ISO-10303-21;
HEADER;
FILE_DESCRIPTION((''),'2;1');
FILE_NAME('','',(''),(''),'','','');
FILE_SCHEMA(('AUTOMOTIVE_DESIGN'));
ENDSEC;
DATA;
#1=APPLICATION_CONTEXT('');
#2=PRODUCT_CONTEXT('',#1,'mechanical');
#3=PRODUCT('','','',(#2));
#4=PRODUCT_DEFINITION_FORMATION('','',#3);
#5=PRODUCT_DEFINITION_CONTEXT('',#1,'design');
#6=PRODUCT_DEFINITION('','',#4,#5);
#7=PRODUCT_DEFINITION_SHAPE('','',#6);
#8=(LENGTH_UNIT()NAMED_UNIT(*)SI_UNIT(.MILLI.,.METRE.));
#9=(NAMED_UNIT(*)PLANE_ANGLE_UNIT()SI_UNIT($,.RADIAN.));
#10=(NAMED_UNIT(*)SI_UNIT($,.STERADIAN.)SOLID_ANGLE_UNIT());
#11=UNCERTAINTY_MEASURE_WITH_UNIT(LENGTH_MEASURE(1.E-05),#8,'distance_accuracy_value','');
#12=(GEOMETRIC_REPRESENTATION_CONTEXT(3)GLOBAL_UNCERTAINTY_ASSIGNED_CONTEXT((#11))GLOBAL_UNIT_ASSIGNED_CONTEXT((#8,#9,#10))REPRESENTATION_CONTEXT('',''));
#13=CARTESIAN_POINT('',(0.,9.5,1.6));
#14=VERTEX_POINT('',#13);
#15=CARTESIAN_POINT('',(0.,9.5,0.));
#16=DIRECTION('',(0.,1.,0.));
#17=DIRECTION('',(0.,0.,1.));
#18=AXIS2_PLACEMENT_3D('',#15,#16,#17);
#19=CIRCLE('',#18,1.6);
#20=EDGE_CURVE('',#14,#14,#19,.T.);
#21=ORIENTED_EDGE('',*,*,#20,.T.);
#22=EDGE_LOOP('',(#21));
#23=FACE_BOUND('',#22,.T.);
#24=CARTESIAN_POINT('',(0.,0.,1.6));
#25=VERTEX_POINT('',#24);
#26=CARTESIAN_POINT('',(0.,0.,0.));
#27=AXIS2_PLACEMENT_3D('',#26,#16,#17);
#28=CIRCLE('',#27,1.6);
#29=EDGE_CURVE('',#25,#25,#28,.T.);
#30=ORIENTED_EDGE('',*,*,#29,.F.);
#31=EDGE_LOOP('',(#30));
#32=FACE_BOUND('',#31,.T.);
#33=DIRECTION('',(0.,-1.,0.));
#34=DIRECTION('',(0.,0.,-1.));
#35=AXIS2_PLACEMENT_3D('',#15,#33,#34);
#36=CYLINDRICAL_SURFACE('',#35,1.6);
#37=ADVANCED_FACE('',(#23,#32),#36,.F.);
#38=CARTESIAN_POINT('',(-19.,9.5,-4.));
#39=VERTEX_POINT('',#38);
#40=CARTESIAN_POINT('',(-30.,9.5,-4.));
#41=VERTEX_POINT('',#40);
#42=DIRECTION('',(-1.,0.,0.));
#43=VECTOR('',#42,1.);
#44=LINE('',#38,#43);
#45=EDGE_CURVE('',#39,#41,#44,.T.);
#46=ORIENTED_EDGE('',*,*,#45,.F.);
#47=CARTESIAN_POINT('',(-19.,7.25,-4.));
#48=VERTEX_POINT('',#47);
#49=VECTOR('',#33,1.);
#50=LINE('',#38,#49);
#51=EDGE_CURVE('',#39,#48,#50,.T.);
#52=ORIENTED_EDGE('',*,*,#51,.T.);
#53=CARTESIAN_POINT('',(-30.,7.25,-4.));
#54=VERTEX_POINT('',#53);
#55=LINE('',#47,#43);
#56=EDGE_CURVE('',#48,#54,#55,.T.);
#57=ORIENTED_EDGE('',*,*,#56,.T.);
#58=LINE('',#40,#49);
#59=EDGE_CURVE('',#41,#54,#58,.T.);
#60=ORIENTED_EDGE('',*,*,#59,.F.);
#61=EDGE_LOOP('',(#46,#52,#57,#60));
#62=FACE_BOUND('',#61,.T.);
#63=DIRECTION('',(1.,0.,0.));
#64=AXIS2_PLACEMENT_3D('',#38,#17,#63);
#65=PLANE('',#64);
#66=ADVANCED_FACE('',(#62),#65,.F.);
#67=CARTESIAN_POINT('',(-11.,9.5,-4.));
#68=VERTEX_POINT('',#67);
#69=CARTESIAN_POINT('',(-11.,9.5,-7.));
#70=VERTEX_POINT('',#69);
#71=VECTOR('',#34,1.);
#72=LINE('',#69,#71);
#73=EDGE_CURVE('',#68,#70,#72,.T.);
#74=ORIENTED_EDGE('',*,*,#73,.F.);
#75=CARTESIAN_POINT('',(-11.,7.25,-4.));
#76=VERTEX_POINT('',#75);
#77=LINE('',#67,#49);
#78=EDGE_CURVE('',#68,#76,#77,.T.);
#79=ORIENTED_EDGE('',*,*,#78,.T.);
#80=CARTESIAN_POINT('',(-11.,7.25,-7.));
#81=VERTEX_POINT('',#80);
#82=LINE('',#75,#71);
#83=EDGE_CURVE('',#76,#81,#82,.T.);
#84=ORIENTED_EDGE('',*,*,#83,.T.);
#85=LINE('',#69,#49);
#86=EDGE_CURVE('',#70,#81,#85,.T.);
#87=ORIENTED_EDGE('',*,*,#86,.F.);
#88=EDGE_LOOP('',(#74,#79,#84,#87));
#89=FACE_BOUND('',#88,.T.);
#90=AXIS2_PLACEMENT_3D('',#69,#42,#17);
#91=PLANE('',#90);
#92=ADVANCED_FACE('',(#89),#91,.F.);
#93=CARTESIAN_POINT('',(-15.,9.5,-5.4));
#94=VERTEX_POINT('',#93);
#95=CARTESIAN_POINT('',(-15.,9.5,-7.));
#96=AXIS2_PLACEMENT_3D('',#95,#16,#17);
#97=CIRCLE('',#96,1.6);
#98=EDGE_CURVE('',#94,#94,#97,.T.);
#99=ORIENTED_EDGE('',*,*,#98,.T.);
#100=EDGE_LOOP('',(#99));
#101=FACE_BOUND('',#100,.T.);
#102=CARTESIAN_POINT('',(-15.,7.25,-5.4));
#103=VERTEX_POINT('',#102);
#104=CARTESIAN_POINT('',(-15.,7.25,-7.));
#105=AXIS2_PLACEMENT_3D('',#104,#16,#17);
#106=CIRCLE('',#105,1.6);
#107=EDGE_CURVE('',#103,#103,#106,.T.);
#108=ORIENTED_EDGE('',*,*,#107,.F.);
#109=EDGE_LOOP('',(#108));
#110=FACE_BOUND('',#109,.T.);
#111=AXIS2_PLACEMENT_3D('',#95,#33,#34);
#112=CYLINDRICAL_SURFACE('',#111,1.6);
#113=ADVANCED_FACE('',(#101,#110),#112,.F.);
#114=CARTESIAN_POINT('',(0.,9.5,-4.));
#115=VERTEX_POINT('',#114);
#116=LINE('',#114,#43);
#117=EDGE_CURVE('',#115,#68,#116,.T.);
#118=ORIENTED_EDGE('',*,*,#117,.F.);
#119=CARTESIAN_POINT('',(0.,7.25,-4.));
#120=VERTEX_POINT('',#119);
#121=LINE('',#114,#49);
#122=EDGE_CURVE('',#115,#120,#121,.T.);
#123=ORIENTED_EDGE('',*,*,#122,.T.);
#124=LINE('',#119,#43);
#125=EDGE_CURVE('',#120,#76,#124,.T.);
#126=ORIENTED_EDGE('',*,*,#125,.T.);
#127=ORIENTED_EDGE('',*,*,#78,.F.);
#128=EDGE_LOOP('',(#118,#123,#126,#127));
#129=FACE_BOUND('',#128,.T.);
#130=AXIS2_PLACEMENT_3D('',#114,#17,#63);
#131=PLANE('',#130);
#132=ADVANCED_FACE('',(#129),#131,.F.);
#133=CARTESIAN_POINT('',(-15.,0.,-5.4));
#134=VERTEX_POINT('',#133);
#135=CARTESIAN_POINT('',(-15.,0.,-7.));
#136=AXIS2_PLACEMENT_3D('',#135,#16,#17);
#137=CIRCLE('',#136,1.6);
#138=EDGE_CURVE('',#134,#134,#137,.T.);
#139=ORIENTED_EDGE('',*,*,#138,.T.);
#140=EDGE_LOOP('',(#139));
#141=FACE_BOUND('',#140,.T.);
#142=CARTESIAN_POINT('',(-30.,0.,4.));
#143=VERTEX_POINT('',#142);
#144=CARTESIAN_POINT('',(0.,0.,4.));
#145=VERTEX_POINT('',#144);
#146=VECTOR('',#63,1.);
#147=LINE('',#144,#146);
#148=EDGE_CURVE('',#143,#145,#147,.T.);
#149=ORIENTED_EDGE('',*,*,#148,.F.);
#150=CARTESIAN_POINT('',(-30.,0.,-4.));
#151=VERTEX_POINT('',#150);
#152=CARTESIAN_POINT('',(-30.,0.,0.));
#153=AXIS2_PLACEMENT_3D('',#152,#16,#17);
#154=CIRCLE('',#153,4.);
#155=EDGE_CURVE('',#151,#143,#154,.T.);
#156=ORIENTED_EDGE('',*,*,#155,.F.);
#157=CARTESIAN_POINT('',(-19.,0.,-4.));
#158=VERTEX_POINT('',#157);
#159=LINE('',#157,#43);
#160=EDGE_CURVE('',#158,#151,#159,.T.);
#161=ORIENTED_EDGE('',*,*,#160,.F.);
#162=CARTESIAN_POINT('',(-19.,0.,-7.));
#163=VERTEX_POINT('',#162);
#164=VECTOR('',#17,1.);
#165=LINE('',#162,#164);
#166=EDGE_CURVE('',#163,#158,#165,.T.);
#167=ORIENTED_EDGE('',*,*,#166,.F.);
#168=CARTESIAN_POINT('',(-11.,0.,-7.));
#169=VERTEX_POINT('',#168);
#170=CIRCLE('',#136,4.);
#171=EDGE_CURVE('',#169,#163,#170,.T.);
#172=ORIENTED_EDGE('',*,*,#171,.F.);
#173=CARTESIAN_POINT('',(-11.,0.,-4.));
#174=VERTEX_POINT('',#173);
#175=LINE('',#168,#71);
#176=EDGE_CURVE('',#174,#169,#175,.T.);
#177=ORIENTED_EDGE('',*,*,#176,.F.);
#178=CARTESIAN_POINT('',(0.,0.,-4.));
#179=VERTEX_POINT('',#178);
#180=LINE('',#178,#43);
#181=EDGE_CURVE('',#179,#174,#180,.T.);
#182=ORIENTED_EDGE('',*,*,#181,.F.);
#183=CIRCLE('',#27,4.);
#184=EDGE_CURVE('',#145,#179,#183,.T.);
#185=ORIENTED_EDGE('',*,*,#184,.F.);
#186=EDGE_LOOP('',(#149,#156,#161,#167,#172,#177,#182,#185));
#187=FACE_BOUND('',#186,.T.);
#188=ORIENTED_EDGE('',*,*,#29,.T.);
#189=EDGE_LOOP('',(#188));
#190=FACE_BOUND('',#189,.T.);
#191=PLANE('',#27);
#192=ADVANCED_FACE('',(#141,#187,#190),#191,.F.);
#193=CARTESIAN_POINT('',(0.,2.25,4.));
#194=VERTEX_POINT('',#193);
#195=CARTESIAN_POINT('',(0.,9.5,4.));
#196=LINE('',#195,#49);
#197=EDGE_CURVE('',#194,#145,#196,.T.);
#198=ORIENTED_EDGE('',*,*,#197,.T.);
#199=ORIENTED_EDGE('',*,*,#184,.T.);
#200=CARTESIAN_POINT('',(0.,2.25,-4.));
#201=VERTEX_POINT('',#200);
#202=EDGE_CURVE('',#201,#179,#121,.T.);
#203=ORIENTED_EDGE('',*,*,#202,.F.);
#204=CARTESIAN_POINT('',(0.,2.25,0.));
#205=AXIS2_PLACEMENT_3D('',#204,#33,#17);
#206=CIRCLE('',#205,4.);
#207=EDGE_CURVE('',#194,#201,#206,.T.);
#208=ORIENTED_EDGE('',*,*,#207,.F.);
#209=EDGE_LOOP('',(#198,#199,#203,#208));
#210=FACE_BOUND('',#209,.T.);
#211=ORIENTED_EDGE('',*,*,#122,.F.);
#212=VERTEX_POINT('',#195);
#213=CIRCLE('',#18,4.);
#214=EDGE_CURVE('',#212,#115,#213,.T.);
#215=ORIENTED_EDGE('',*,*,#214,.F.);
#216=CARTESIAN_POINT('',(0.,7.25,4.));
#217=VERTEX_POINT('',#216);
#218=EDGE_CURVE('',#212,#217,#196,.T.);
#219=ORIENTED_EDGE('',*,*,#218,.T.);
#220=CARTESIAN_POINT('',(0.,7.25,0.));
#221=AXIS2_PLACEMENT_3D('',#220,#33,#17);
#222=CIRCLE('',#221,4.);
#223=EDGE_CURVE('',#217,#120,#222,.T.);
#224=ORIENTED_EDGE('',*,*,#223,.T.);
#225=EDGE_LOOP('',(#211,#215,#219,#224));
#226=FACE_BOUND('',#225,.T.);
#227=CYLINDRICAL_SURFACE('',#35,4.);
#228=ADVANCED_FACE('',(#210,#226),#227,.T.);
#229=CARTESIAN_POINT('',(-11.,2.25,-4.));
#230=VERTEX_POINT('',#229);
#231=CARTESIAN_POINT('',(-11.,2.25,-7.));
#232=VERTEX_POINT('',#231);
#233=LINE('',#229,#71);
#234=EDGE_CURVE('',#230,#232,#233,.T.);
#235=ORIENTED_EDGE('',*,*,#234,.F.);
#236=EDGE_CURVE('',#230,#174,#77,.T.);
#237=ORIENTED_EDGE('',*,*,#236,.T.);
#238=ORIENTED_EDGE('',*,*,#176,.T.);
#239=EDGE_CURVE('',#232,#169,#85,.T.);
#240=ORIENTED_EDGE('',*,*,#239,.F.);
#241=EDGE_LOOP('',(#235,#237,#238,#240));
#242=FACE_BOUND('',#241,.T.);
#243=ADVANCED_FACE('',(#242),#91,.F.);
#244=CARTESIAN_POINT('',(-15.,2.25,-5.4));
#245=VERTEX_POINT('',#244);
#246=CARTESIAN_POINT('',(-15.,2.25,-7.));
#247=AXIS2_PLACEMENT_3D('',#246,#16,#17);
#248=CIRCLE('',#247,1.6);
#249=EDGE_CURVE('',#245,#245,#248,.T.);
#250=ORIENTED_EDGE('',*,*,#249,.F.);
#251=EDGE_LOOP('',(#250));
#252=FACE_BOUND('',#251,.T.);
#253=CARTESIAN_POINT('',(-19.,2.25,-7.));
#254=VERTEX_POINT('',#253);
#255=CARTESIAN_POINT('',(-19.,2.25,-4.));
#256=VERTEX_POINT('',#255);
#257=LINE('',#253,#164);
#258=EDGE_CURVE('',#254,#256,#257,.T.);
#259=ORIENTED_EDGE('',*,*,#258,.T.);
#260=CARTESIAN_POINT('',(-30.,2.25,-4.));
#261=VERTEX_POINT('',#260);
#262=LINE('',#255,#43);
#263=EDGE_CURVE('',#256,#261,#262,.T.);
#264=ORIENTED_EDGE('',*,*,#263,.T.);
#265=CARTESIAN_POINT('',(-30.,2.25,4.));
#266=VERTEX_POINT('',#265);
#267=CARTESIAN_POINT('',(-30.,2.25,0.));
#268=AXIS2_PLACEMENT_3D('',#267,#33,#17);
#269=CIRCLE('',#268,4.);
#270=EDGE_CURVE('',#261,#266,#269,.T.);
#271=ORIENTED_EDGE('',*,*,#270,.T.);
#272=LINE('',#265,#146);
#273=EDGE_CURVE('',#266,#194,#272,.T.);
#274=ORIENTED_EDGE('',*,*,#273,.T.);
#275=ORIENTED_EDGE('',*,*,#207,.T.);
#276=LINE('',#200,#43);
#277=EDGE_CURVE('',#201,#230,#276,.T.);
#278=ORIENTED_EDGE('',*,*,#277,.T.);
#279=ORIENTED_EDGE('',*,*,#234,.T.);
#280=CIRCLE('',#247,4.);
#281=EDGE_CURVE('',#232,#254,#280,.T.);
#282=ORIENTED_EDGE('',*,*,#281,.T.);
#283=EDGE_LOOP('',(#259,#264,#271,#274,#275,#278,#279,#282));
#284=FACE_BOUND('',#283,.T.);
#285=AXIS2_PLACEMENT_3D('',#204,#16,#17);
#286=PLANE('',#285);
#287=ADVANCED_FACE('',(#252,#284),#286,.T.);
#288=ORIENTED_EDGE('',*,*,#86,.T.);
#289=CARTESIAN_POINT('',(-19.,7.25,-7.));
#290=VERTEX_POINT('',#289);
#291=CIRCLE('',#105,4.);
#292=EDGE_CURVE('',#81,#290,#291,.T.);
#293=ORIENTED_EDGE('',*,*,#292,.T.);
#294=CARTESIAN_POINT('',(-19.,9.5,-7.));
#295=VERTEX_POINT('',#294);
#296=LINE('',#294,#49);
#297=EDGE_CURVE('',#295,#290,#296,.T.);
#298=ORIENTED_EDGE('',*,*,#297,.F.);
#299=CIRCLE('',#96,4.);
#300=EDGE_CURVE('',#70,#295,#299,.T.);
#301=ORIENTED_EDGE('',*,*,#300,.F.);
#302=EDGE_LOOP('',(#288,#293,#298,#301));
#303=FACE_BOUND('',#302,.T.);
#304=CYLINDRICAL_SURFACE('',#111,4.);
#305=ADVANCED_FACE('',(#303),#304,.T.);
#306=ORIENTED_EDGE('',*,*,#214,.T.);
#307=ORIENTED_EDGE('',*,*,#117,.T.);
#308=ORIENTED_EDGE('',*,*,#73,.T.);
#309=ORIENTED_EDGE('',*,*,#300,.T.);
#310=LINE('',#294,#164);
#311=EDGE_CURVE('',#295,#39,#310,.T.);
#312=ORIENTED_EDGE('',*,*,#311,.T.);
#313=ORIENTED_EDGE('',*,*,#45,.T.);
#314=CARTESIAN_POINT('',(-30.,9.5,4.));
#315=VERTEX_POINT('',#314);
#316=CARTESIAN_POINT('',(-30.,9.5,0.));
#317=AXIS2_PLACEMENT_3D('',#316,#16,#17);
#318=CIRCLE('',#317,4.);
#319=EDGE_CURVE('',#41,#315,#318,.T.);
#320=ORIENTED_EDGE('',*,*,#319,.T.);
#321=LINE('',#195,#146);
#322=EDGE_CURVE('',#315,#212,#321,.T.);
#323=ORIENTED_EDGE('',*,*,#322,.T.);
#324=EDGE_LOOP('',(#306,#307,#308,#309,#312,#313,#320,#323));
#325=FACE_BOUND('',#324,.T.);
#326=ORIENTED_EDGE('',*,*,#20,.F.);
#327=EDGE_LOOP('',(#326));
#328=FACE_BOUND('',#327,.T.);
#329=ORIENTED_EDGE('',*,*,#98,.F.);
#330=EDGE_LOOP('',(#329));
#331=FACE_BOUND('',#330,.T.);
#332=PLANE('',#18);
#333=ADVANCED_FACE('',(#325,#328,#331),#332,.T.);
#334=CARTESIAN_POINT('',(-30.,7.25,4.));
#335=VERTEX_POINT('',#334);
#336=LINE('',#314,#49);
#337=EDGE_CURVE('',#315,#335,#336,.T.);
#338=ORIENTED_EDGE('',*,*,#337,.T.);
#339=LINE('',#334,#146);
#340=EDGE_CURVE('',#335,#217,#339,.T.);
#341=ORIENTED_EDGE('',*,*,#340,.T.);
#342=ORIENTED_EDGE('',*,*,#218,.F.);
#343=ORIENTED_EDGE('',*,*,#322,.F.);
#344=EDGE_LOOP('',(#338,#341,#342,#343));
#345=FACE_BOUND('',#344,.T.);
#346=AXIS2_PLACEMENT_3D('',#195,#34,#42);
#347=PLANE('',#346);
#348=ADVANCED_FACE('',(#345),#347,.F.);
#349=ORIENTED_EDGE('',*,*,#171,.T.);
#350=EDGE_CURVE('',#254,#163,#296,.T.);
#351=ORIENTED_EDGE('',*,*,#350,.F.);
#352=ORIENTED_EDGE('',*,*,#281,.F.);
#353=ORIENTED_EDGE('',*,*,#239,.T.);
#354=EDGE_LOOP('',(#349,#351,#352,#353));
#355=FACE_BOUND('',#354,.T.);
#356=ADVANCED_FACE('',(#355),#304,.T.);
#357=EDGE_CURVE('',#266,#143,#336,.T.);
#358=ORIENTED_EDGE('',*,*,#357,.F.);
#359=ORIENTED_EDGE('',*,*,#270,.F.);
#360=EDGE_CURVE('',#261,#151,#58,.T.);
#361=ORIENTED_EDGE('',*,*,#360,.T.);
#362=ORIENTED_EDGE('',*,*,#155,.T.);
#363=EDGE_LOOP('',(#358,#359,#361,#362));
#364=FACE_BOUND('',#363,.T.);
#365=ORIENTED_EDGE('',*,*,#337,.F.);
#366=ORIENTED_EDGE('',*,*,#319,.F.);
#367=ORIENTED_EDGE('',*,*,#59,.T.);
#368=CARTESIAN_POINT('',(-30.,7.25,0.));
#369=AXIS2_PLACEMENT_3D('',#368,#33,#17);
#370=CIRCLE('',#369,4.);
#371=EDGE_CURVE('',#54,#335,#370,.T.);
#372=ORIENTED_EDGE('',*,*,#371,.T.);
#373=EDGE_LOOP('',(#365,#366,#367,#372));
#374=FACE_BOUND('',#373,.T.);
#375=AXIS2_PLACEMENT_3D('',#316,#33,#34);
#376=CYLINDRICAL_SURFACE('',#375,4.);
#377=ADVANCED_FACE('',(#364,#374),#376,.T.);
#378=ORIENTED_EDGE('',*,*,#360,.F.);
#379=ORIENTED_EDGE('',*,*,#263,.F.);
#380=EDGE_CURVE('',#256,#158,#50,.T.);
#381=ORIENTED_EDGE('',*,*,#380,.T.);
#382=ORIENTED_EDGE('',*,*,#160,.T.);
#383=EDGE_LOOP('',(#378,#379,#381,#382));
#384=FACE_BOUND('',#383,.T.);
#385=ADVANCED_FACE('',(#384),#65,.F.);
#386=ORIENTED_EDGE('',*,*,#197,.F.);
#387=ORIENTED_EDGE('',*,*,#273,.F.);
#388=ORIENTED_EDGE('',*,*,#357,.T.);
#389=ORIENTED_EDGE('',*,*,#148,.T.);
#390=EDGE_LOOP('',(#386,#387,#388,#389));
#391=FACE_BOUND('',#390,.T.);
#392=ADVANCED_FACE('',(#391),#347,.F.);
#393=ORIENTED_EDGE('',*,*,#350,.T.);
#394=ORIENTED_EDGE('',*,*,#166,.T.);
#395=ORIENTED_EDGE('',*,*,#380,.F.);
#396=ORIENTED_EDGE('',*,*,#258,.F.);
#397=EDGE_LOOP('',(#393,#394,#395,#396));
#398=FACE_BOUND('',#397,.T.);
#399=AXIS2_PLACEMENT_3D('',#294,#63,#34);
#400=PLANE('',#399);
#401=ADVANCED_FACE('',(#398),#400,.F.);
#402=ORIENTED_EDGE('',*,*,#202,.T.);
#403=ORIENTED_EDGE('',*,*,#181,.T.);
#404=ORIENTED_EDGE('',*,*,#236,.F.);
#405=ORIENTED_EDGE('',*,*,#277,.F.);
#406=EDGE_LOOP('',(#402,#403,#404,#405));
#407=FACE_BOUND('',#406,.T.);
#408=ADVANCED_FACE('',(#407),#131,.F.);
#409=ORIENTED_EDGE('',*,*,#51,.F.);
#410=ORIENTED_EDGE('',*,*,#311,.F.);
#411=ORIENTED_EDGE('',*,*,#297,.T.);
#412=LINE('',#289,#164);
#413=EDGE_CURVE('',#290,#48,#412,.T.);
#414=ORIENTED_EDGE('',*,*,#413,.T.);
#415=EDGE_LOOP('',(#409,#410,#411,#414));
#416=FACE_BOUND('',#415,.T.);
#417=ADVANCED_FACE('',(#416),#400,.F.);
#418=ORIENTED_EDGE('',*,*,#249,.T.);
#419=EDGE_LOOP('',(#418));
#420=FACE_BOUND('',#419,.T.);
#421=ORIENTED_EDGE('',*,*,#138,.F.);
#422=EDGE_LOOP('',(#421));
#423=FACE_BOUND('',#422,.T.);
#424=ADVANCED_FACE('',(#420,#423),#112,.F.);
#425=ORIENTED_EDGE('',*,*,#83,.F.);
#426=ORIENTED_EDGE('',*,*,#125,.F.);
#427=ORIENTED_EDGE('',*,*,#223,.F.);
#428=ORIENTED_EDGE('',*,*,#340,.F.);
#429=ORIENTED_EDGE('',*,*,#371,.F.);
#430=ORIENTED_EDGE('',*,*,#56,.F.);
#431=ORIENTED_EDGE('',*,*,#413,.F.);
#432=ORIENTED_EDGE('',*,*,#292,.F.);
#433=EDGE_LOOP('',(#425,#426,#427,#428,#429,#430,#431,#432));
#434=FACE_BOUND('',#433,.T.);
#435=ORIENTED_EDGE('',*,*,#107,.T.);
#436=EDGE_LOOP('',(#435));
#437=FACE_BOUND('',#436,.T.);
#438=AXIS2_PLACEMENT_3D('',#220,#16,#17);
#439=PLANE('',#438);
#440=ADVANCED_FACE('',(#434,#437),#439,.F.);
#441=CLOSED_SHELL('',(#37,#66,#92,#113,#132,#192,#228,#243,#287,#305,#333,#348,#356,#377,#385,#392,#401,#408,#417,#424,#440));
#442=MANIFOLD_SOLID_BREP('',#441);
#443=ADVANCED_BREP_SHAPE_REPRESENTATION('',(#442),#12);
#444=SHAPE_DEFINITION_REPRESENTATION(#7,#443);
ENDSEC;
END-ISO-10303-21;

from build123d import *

# Parameters (mm, degrees)
SKETCH1_R               = 1.6
BOSS_EXTRUDE1_DEPTH     = 9.5
CUT_EXTRUDE1_DEPTH      = 2.5
CUT_EXTRUDE1_DEPTH_BACK = 2.5


with BuildPart() as part:
    # Sketch1 → Boss-Extrude1 (new body)
    with BuildSketch(Plane(origin=(0, 0, 0), x_dir=(1, 0, 0), z_dir=(0, 1, 0))):
        with BuildLine():
            Line((0, -4), (-30, -4))
            ThreePointArc((-30, -4), (-34, 0), (-30, 4))
            Line((-30, 4), (-19, 4))
            Line((-19, 4), (-19, 7))
            ThreePointArc((-19, 7), (-15, 11), (-11, 7))
            Line((-11, 7), (-11, 4))
            Line((-11, 4), (0, 4))
            ThreePointArc((0, 4), (4, 0), (0, -4))
        make_face()
        with Locations(Location((0, 0, 0), (0, 0, 270))):
            Circle(SKETCH1_R, mode=Mode.SUBTRACT)
        with Locations(Location((-15, 7, 0), (0, 0, 270))):
            Circle(SKETCH1_R, mode=Mode.SUBTRACT)
    extrude(amount=BOSS_EXTRUDE1_DEPTH)

    # Sketch2 → Cut-Extrude1 (cut, two sides: drawn at the far end of the back side and taken through both)
    with BuildSketch(Plane(origin=(0, 4.75, 0), x_dir=(1, 0, 0), z_dir=(0, 1, 0)).offset(-CUT_EXTRUDE1_DEPTH_BACK)):
        with BuildLine():
            Line((0, 4), (-11, 4))
            Line((-11, 4), (-11, 7))
            ThreePointArc((-11, 7), (-15, 11), (-19, 7))
            Line((-19, 7), (-19, 4))
            Line((-19, 4), (-30, 4))
            ThreePointArc((-30, 4), (-26, 0), (-30, -4))
            Line((-30, -4), (0, -4))
            ThreePointArc((0, -4), (-4, 0), (0, 4))
        make_face()
    extrude(amount=CUT_EXTRUDE1_DEPTH + CUT_EXTRUDE1_DEPTH_BACK, mode=Mode.SUBTRACT)


solid = part.part
